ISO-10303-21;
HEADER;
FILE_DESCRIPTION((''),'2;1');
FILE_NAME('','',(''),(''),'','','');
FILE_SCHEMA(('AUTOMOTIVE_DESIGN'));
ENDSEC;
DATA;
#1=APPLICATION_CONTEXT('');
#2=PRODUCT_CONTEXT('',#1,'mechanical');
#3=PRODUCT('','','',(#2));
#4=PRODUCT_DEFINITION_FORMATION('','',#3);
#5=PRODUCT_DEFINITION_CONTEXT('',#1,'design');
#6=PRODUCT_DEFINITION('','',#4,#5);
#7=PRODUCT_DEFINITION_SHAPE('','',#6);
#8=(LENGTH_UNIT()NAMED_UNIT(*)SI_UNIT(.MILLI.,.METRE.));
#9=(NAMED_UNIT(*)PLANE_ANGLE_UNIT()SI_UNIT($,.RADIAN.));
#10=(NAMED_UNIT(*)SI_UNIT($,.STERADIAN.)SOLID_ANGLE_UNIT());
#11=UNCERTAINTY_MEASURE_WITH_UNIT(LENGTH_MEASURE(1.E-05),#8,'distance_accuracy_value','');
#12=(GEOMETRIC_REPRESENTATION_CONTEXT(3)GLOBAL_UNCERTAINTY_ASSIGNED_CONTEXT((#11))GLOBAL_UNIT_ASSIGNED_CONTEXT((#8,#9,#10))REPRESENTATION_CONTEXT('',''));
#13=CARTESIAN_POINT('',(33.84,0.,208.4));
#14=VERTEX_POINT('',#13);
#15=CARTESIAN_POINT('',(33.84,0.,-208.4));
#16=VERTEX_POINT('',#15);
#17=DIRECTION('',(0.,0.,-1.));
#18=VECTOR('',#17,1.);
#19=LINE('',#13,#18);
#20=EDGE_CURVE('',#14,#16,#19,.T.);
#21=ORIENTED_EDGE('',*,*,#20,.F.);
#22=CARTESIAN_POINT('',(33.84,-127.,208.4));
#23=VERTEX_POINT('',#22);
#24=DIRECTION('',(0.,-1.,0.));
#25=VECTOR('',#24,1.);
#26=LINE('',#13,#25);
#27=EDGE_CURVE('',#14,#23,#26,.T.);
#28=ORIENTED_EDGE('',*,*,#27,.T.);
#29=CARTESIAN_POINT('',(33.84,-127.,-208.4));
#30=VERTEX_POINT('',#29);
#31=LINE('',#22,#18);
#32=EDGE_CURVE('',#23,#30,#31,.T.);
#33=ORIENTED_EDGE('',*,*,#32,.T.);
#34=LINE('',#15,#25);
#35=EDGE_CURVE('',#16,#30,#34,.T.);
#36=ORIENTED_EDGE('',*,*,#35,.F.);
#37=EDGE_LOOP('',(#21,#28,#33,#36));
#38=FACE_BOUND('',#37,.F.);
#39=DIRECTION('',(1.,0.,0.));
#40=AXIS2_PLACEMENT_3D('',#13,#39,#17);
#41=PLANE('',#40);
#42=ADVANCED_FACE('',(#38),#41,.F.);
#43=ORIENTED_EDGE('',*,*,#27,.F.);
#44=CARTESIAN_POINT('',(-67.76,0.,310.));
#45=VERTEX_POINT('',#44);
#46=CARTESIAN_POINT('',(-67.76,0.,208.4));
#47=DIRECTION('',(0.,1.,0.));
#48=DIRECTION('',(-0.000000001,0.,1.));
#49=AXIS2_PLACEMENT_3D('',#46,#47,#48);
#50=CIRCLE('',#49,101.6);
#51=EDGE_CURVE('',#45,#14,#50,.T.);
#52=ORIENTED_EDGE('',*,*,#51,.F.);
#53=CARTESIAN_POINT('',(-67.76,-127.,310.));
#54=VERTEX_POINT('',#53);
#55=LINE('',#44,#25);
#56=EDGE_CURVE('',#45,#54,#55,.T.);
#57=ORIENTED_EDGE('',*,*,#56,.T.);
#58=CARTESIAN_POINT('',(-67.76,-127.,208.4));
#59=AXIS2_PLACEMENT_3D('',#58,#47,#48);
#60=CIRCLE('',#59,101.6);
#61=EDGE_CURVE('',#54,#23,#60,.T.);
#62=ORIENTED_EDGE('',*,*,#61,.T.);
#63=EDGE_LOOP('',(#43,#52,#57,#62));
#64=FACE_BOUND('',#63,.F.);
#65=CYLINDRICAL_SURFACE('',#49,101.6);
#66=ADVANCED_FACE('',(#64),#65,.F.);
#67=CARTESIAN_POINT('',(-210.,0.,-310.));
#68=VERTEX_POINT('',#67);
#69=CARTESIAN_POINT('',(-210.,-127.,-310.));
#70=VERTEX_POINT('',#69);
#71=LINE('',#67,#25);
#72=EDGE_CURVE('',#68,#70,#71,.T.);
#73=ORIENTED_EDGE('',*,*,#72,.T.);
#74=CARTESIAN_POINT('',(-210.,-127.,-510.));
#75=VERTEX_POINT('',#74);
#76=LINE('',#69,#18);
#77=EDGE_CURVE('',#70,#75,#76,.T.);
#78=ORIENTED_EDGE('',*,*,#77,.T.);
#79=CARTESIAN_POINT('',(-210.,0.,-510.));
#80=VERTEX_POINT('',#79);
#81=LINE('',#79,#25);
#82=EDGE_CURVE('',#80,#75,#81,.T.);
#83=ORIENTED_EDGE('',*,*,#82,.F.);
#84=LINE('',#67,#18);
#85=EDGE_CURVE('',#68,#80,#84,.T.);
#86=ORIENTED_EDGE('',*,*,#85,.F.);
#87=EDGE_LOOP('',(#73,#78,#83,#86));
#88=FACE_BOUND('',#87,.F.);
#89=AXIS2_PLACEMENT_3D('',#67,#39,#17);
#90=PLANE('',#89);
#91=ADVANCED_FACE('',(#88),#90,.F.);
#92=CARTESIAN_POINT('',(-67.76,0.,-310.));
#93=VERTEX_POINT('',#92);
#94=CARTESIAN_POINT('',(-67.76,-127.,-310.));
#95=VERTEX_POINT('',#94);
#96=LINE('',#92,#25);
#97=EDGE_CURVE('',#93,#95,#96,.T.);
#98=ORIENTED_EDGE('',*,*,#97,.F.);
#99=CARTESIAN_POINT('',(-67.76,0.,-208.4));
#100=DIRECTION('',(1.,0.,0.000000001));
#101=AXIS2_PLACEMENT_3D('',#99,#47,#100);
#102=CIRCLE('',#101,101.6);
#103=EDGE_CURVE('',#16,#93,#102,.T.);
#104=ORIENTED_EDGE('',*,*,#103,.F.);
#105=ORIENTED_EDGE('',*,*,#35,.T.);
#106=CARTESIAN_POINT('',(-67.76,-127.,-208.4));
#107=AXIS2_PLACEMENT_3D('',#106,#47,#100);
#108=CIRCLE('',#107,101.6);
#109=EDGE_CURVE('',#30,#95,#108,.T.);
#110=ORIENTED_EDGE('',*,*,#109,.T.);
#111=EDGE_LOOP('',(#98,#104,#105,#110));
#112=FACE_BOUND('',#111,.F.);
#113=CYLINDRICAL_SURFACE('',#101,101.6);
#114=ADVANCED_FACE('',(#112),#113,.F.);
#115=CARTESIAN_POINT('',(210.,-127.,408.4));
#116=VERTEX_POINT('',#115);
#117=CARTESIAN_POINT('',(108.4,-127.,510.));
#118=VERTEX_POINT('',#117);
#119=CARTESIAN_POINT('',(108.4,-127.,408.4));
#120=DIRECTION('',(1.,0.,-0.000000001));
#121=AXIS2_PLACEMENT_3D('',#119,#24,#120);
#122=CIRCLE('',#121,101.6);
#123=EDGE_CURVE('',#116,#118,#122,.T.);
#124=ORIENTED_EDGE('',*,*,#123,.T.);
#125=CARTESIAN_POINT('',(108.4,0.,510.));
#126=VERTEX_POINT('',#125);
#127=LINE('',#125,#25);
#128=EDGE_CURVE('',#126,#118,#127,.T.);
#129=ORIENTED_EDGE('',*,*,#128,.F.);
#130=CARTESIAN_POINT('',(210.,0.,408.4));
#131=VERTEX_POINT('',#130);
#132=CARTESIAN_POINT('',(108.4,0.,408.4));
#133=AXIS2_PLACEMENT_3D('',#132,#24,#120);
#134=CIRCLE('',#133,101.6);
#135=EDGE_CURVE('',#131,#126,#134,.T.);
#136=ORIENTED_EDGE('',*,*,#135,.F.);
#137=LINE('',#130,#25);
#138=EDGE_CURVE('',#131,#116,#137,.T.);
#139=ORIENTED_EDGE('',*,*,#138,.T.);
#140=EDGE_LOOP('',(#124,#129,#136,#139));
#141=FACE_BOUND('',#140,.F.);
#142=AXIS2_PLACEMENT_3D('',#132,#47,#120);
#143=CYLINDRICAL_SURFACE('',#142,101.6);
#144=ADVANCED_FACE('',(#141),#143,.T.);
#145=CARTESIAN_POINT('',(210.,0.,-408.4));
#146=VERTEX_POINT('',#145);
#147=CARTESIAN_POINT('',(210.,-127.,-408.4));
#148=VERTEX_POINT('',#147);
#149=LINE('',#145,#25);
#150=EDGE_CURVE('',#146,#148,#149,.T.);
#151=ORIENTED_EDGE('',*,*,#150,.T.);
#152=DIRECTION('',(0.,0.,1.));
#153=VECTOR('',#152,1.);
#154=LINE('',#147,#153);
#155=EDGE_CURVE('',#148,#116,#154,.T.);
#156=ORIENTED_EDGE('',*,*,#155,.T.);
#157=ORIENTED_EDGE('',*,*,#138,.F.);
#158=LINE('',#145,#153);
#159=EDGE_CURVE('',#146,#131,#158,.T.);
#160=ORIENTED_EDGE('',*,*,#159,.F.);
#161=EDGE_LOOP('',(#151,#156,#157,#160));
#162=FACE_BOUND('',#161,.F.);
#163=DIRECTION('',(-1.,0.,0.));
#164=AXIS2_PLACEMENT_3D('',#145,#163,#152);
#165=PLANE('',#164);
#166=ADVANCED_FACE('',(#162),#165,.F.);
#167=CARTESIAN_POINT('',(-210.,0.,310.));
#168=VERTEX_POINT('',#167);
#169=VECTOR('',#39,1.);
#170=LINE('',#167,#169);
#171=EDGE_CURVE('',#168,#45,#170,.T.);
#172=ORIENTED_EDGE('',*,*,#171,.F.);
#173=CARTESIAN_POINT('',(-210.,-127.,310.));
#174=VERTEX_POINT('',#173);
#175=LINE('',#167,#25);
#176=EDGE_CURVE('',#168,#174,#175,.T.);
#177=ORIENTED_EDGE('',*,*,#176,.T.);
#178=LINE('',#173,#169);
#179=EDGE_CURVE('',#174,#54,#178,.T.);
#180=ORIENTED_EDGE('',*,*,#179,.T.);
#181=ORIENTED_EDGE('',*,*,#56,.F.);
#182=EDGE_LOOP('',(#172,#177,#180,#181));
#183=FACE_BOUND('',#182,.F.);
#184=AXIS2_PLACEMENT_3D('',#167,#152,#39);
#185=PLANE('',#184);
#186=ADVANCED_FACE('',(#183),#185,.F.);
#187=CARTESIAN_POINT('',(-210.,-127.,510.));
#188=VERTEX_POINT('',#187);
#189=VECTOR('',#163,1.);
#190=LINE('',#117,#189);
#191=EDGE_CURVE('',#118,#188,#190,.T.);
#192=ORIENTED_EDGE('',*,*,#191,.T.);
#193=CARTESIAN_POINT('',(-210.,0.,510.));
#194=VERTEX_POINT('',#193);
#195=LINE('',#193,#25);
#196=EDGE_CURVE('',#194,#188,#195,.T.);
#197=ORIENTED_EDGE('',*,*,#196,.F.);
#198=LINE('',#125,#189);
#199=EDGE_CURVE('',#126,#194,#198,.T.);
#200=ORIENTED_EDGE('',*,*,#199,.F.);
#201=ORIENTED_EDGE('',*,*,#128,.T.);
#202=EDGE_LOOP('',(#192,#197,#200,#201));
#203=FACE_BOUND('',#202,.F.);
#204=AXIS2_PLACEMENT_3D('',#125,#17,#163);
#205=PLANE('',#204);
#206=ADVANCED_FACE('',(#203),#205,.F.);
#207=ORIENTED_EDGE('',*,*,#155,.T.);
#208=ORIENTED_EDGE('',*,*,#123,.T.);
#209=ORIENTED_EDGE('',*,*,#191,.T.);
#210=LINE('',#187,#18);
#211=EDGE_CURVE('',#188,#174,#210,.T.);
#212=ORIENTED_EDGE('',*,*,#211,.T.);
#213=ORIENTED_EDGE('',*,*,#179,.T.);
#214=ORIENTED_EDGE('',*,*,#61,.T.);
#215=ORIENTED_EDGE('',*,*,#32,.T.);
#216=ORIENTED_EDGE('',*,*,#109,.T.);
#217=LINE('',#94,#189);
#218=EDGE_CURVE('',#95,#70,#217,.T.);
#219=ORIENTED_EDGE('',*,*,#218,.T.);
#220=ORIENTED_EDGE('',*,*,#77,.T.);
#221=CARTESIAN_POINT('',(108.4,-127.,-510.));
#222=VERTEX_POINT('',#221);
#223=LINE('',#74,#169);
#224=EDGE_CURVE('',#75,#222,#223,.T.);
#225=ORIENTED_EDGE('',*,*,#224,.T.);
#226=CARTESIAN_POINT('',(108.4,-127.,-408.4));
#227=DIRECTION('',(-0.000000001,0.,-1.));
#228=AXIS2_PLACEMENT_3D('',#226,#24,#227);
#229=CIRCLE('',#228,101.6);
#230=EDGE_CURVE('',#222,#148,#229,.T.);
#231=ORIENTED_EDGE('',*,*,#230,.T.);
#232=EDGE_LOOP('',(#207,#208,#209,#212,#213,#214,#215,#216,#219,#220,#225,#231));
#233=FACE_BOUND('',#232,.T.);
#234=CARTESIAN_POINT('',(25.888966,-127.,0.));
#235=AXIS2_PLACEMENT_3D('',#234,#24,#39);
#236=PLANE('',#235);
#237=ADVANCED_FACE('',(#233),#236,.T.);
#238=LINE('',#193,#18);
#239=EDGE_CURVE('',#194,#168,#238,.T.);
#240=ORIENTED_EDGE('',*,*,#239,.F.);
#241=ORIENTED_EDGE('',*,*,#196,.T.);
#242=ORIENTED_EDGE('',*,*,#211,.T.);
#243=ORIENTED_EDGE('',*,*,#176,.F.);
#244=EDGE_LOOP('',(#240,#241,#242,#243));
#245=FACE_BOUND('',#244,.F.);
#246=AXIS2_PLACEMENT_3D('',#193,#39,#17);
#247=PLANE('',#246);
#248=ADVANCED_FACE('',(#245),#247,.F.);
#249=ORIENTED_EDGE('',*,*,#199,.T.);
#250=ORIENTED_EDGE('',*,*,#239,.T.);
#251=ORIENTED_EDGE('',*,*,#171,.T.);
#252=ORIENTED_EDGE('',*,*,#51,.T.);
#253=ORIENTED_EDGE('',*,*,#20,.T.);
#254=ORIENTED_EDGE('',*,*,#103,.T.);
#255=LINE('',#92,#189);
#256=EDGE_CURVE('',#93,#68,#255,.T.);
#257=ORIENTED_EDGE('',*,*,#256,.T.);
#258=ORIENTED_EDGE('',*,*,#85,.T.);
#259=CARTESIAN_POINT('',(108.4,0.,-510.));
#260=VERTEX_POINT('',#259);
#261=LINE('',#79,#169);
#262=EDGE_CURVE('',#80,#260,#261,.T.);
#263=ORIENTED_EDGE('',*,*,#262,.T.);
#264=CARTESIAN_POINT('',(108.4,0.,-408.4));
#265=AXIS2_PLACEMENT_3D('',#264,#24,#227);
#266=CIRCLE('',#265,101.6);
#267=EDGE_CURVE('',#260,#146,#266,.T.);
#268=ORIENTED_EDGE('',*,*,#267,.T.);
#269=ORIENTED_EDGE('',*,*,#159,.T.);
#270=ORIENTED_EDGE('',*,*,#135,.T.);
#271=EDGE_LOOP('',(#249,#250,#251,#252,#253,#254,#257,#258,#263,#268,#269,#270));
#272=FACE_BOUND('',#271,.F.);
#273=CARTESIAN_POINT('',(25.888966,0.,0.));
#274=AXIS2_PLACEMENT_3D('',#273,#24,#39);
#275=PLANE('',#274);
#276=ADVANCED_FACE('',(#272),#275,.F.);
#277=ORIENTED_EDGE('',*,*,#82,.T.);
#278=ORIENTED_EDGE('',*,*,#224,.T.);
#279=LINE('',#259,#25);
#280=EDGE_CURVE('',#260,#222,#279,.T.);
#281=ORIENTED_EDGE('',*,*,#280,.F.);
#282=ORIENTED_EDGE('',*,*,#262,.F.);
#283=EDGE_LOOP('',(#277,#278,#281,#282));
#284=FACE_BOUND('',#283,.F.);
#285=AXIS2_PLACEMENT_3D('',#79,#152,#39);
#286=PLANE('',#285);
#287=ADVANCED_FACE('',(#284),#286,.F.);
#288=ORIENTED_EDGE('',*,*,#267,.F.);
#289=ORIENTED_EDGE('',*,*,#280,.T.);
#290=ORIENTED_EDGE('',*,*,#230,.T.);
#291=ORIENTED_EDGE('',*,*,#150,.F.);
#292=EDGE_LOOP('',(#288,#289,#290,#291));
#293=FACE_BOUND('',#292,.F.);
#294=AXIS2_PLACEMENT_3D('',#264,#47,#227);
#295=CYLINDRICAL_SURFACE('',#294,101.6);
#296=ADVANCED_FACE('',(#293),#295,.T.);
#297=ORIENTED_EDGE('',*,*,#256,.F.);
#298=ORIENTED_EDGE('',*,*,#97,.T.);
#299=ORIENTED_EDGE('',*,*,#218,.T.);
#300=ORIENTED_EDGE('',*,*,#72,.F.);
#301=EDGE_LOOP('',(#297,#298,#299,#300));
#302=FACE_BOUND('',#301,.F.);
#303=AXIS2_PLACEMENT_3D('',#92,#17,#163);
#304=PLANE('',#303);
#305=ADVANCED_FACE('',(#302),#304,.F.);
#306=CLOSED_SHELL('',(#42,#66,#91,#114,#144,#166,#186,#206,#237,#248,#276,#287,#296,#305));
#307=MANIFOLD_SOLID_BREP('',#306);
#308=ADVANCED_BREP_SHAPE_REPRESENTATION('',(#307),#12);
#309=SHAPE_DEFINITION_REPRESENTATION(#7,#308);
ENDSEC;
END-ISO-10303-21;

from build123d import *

# Parameters (mm, degrees)
F1_DEPTH = 127


with BuildPart() as f1:
    # F0 (on Front) → F1 (new body)
    with BuildSketch(Plane.XZ):
        with BuildLine():
            ThreePointArc((210, 408.4), (180.242049, 480.242049), (108.4, 510))
            Line((108.4, 510), (-210, 510))
            Line((-210, 510), (-210, 310))
            Line((-210, 310), (-67.76, 310))
            ThreePointArc((-67.76, 310), (4.082049, 280.242049), (33.84, 208.4))
            Line((33.84, 208.4), (33.84, -208.4))
            ThreePointArc((33.84, -208.4), (4.082049, -280.242049), (-67.76, -310))
            Line((-67.76, -310), (-210, -310))
            Line((-210, -310), (-210, -510))
            Line((-210, -510), (108.4, -510))
            ThreePointArc((108.4, -510), (180.242049, -480.242049), (210, -408.4))
            Line((210, -408.4), (210, 408.4))
        make_face()
    extrude(amount=F1_DEPTH)


solid = f1.part
